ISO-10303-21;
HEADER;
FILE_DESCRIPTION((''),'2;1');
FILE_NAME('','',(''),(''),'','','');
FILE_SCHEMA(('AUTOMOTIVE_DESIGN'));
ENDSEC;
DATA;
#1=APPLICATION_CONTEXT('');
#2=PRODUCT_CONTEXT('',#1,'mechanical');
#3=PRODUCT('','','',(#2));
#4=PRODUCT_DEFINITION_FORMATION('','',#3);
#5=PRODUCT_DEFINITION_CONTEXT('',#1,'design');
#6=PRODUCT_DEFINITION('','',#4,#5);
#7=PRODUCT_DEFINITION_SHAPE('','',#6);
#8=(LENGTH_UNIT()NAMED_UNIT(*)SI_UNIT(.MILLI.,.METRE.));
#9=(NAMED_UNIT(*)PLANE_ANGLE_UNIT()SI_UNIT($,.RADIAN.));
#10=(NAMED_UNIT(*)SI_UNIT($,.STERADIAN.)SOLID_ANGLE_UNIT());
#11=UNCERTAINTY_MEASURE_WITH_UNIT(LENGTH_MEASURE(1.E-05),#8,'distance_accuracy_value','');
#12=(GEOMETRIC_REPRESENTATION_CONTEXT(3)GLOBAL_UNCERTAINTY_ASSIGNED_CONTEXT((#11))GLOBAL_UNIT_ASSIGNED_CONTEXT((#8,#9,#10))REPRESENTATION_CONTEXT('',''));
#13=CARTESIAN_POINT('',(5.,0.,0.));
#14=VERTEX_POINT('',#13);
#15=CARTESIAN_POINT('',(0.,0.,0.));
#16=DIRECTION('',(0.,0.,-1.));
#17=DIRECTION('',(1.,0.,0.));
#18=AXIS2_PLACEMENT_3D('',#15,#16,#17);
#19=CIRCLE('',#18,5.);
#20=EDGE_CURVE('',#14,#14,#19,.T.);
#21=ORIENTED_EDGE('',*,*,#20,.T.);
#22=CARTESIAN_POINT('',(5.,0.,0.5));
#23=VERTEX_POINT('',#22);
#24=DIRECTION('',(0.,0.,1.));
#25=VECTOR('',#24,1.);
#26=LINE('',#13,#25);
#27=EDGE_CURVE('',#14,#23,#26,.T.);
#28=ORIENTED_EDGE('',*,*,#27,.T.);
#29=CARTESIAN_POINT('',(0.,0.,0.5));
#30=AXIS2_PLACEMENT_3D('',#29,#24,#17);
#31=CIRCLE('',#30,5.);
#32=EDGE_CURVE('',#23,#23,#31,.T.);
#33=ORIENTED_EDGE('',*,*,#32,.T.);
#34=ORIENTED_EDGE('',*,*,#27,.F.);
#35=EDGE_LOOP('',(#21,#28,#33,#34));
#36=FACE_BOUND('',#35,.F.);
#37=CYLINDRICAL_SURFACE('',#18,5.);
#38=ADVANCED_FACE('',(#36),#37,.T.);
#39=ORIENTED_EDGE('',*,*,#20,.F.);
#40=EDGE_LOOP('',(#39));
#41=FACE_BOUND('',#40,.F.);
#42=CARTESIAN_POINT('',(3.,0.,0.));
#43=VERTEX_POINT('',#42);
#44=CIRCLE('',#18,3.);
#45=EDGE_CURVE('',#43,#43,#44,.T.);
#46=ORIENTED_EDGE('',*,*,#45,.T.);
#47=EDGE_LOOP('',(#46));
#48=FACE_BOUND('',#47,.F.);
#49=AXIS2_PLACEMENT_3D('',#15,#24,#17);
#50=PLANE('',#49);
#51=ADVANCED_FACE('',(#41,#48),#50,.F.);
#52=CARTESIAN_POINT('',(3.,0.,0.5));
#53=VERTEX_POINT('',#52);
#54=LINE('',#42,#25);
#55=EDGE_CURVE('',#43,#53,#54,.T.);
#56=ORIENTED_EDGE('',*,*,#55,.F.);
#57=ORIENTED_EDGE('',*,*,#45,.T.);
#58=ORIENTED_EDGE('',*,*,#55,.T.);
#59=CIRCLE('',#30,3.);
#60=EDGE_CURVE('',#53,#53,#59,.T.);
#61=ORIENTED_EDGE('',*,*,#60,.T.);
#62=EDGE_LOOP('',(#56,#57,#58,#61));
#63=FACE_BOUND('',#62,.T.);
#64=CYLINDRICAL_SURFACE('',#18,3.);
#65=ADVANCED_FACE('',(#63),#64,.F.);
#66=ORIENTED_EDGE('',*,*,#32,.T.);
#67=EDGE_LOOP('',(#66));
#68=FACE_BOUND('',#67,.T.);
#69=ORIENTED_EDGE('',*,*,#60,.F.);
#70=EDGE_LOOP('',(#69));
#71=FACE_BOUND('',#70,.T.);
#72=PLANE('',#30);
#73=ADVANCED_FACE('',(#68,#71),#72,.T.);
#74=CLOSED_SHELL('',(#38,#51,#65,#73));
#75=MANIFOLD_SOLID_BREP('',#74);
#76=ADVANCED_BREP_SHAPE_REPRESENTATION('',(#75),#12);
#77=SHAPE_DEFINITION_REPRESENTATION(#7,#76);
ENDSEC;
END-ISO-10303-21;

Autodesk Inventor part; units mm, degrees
ref_plane "YZ Plane" through (0, 0, 0) normal (1, 0, 0) x (0, 1, 0)
ref_plane "XZ Plane" through (0, 0, 0) normal (0, 1, 0) x (-1, 0, 0)
ref_plane "XY Plane" through (0, 0, 0) normal (0, 0, 1) x (1, 0, 0)
sketch "Skizze1" plane through (0, 0, 0) normal (0, 0, 1) x (1, 0, 0)
  line L0 (-7, 0) -> (7, 0) projected
  line L1 (0, -7) -> (0, 7) projected
  circle A0 centre (0, 0) radius 3
  circle A1 centre (0, 0) radius 5
  dimension "d0" = 6
  dimension "d1" = 10
extrude "Extrusion1" add sketch "Skizze1" along normal blind 0.5 contours A0 L1 A1 L0 | L0 A1 L1 A0 | A0 L0 A1 L1 | L1 A1 L0 A0
properties part number "Distanzscheibe_6x10x0,5mm" material "ABS-Kunststoff"
